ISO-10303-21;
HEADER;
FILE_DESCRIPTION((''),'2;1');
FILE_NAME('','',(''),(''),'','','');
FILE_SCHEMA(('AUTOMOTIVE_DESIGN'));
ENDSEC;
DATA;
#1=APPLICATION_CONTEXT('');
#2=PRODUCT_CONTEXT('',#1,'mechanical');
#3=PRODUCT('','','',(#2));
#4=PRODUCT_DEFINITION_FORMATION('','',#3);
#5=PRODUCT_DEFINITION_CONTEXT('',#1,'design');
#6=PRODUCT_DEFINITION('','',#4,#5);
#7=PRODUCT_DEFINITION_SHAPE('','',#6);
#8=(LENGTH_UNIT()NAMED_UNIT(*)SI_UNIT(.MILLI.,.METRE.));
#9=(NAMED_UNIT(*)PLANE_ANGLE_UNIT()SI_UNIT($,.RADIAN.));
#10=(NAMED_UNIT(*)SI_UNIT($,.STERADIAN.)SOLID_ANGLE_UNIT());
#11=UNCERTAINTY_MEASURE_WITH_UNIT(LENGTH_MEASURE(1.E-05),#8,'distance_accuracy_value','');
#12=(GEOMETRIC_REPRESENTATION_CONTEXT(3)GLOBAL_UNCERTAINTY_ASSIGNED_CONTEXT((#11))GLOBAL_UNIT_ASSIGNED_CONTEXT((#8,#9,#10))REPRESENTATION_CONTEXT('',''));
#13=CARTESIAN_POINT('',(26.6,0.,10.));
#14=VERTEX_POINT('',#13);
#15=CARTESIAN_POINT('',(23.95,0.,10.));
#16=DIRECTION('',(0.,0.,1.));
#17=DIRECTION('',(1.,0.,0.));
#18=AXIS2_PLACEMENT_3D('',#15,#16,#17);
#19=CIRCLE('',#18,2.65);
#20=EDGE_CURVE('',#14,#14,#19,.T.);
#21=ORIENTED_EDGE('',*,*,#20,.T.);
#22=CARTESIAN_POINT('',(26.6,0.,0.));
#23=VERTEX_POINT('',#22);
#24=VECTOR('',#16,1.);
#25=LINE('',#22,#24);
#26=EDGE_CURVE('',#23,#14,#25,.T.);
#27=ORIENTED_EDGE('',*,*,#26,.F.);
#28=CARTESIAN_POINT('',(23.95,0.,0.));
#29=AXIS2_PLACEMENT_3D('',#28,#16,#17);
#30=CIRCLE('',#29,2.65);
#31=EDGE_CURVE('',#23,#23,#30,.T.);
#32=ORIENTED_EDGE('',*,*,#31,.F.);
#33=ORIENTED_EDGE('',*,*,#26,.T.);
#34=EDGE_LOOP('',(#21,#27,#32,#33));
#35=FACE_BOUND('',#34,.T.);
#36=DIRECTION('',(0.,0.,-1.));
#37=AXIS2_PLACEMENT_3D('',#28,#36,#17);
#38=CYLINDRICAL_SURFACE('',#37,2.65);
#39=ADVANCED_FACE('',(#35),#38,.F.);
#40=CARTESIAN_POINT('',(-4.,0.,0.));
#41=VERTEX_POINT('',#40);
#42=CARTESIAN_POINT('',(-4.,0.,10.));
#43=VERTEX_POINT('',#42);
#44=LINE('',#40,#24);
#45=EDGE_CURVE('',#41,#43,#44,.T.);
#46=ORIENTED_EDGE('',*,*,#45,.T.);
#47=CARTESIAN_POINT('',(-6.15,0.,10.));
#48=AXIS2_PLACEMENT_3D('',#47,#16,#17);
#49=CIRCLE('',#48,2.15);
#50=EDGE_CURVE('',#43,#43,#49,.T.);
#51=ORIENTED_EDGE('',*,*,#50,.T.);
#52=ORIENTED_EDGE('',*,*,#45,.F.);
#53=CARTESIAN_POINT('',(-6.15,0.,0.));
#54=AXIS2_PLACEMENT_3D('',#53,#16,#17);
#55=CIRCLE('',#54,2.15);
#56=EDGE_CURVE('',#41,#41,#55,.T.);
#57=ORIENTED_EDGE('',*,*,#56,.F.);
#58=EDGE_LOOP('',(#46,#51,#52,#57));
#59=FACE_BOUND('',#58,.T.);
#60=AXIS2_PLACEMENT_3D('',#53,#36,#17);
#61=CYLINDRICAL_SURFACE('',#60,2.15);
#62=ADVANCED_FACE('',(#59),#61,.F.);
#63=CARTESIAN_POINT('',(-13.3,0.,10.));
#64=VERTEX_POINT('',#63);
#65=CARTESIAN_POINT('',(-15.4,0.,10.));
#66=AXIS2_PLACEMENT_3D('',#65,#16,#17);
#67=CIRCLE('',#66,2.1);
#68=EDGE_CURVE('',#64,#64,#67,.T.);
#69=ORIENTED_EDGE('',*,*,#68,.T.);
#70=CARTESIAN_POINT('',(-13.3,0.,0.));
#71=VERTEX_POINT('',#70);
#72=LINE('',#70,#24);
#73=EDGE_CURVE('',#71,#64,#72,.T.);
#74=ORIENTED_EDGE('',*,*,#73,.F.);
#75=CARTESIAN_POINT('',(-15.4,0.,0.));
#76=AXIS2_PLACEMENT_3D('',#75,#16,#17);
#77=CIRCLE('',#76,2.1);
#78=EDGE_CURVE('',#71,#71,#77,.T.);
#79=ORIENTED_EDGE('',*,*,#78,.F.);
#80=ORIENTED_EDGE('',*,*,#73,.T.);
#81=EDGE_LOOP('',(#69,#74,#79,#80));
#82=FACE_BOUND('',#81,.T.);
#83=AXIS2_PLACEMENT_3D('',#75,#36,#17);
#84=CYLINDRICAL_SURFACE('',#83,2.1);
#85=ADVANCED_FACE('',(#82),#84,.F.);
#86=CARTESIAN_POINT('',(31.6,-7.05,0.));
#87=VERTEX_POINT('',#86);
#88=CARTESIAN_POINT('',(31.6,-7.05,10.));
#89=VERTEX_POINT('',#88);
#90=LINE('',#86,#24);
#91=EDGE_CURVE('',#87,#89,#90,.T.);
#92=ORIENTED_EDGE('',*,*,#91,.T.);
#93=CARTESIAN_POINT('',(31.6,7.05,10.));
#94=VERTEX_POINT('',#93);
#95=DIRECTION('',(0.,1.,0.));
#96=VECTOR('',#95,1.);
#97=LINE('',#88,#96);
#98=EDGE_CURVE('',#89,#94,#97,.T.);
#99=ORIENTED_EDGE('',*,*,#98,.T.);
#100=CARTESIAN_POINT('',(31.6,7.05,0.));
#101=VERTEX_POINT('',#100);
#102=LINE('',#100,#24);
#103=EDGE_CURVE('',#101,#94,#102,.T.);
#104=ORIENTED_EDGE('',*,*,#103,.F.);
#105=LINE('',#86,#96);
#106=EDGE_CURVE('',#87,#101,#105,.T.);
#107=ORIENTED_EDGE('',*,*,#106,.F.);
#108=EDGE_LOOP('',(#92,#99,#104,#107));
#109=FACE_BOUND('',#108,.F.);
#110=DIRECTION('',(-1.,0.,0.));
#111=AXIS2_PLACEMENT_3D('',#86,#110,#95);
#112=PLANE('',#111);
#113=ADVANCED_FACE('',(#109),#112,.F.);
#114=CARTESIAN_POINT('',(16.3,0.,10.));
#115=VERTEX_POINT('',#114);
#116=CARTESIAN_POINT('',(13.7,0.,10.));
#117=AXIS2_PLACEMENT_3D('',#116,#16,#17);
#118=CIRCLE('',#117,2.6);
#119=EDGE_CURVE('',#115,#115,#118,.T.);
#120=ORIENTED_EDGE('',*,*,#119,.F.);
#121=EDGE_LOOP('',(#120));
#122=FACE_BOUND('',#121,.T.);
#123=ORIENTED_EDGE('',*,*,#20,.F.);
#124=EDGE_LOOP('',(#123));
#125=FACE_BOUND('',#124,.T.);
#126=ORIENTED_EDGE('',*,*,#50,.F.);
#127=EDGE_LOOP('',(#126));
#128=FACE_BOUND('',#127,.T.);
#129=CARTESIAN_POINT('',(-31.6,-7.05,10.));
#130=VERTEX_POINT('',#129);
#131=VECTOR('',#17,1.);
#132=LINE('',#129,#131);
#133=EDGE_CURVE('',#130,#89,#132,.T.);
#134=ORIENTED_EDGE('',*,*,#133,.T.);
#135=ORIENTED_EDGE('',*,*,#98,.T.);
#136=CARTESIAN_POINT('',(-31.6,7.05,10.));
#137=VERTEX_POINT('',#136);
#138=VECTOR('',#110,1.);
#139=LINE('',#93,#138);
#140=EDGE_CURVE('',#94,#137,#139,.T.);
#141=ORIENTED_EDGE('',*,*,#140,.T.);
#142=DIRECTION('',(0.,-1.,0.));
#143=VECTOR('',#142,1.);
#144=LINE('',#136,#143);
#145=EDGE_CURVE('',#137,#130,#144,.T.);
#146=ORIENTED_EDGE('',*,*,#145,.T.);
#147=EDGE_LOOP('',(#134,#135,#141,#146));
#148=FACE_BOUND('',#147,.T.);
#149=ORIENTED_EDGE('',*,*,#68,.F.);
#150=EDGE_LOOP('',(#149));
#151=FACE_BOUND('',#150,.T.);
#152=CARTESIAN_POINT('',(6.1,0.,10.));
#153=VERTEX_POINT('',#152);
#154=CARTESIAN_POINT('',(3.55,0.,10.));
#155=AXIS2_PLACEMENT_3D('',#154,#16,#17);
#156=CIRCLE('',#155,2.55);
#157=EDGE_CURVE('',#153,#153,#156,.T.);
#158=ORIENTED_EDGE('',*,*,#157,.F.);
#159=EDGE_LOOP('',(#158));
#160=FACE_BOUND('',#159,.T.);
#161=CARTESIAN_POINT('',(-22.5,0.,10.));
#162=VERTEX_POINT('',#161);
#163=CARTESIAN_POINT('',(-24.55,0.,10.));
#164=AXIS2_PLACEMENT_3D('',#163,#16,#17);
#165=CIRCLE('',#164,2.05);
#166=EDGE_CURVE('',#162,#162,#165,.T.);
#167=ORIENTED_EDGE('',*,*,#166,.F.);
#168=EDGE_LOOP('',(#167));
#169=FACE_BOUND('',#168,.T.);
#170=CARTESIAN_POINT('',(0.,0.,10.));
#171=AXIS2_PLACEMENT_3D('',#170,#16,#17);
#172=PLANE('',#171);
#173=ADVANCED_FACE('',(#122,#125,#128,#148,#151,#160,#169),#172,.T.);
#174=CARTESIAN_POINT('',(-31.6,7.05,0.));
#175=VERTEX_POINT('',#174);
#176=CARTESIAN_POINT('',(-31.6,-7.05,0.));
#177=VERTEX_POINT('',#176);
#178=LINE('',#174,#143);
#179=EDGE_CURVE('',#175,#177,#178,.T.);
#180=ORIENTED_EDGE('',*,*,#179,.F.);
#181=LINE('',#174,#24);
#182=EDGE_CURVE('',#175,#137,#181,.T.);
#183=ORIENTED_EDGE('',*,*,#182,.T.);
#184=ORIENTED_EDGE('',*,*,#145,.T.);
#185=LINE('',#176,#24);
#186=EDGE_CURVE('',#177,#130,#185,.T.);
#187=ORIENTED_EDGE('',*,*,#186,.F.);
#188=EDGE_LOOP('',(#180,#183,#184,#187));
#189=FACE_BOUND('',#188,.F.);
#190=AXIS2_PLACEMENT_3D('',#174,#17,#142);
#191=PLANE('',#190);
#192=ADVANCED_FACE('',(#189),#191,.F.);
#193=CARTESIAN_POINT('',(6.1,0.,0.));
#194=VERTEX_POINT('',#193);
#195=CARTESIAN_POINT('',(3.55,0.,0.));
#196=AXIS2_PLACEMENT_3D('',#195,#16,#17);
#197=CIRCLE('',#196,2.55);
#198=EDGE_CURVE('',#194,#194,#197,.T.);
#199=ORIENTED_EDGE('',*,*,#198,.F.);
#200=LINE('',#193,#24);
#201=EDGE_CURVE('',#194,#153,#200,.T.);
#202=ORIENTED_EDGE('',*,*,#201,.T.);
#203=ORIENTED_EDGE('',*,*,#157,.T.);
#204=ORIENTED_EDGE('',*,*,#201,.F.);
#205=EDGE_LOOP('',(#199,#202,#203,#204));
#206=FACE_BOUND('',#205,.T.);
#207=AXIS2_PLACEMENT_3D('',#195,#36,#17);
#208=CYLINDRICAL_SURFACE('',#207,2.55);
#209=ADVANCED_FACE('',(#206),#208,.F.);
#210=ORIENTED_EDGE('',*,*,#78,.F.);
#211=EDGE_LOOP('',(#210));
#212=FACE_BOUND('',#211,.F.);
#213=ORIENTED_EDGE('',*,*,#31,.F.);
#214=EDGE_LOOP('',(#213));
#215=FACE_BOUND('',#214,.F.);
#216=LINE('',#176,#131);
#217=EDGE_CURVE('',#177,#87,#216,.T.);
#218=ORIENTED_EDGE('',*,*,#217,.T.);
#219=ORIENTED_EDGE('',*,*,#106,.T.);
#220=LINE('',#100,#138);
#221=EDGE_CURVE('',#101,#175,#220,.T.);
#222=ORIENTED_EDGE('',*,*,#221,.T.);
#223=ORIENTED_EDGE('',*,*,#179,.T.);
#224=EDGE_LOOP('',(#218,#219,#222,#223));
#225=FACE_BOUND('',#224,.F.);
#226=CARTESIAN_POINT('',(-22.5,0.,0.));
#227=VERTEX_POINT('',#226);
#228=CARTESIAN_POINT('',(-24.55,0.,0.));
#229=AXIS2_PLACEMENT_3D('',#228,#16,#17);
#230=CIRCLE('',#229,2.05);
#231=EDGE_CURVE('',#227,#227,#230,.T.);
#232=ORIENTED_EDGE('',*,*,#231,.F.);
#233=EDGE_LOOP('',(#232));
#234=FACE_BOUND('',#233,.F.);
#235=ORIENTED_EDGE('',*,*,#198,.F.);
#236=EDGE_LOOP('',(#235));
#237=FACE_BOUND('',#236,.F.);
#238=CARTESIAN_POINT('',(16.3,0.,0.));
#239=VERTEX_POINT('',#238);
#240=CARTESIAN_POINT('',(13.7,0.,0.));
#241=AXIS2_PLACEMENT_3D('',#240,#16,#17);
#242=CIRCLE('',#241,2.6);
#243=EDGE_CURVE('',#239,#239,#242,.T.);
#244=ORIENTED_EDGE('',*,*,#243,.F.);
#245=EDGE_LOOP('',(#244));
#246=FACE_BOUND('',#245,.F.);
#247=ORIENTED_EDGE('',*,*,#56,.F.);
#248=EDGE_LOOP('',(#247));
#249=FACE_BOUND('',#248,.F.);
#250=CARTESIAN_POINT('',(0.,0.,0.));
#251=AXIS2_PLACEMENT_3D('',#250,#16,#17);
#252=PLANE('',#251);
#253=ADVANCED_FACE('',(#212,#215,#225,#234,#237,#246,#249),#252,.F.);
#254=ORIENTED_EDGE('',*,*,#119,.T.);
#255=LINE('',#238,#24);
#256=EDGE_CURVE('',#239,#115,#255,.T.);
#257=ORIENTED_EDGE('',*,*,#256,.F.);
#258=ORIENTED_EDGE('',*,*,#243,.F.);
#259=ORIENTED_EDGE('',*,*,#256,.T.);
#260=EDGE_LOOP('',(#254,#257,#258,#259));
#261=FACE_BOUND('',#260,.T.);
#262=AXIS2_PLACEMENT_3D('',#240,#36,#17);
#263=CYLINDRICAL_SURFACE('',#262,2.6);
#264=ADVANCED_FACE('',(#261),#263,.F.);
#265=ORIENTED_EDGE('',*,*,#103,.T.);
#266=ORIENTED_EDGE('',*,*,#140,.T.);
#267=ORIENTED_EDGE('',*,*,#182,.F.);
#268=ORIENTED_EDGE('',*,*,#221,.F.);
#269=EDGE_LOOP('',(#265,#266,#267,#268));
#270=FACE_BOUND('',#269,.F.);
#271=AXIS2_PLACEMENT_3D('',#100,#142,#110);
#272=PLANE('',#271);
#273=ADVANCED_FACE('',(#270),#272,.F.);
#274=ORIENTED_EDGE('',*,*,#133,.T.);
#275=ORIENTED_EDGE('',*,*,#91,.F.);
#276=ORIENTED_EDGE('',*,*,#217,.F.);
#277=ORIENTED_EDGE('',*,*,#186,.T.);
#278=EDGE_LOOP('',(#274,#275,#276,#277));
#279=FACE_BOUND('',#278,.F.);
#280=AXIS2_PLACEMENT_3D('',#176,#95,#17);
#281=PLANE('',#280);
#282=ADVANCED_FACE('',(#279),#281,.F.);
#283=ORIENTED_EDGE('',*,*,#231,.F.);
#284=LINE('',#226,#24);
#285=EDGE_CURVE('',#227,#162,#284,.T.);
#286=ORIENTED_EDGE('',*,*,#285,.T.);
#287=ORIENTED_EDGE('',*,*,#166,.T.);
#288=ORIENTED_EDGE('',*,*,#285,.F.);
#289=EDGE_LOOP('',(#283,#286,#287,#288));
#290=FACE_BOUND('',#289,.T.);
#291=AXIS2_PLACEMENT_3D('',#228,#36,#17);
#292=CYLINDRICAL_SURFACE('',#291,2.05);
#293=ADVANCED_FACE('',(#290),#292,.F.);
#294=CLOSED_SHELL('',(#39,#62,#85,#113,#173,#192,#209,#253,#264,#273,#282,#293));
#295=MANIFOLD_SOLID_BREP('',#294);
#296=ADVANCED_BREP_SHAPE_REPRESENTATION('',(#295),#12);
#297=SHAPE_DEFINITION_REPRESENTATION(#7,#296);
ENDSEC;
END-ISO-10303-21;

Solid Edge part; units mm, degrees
sketch "Sketch1" plane through (0, 0, 0) normal (0, 0, 1) x (1, 0, 0)
  line L0 (-31.6, -7.05) -> (31.6, -7.05)
  line L1 (31.6, -7.05) -> (31.6, 7.05)
  line L2 (31.6, 7.05) -> (-31.6, 7.05)
  line L3 (-31.6, 7.05) -> (-31.6, -7.05)
  circle A0 centre (-24.55, 0) radius 2.05
  circle A1 centre (-15.4, 0) radius 2.1
  circle A2 centre (-6.15, 0) radius 2.15
  circle A3 centre (3.55, 0) radius 2.55
  circle A4 centre (13.7, 0) radius 2.6
  circle A5 centre (23.95, 0) radius 2.65
  dimension "D1" = 5
  dimension "D2" = 5
  dimension "D3" = 5
  dimension "D4" = 5
  dimension "D5" = 4.3
  dimension "D6" = 5.1
  dimension "D7" = 5
  dimension "D8" = 5
  dimension "D9" = 5.2
  dimension "D10" = 5
  dimension "D11" = 5
  dimension "D12" = 5.3
extrude "Protrusion1" add sketch "Sketch1" along normal blind 10
